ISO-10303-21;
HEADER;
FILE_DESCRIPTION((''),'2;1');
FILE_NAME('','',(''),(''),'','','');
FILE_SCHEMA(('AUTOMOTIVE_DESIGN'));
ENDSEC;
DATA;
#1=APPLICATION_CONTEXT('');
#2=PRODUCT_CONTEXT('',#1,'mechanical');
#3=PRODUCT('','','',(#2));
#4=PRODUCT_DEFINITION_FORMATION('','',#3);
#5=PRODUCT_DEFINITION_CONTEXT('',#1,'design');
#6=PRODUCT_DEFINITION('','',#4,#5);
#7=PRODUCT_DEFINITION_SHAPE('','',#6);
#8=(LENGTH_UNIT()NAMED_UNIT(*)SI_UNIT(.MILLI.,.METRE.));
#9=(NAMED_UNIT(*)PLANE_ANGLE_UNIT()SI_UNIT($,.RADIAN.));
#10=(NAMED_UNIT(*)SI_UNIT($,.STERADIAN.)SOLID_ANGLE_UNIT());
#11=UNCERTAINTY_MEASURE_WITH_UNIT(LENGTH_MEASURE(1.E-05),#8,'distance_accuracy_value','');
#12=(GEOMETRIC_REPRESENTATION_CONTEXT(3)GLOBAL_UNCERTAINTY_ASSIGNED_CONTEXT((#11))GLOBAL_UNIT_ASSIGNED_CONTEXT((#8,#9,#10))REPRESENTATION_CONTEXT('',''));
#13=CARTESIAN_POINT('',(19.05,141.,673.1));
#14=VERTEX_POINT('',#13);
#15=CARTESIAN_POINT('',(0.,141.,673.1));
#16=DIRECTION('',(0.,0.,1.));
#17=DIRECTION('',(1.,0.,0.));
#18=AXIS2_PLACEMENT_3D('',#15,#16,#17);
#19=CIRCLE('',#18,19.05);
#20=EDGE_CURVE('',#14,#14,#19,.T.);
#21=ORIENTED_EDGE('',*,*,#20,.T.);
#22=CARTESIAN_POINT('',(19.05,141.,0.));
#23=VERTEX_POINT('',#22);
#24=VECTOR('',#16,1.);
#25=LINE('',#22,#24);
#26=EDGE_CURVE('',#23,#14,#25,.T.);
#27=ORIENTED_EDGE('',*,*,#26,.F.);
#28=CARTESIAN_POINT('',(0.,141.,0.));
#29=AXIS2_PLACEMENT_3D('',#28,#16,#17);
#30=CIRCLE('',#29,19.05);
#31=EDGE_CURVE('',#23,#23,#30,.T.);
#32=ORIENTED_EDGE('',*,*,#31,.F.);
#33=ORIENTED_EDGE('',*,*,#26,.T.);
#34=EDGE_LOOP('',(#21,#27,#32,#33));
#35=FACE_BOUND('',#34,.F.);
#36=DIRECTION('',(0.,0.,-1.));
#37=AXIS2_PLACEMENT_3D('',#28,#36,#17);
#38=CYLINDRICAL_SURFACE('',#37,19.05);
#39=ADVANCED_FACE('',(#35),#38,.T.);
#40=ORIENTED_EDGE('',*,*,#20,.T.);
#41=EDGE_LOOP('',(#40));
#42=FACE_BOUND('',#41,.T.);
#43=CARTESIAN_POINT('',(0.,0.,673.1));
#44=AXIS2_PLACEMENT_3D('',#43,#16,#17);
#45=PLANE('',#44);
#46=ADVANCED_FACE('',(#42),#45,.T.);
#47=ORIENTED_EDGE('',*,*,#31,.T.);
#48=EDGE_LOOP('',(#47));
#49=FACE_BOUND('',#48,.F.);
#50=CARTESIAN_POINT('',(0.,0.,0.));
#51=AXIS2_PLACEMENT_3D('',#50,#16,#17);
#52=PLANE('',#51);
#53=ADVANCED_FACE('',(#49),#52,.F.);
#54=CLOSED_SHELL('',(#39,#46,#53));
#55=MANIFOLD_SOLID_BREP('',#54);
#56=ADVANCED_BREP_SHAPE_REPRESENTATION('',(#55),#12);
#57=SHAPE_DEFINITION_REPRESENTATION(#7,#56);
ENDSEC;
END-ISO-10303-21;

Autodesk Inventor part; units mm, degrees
ref_plane "YZ Plane" through (0, 0, 0) normal (1, 0, 0) x (0, 1, 0)
sketch "Sketch1" plane through (0, 0, 0) normal (0, 0, 1) x (1, 0, 0)
  circle A0 centre (0, 141) radius 19.05
  point P0 (0, 0)
  dimension "d3" = 38.1
ref_plane "Work Plane1" through (-139.7, -1066.8, 927.1) normal (0, 0, -1) x (0, 1, 0)
ref_plane "Work Plane2" through (-139.7, -1753.9498, 673.1) normal (0, 0, -1) x (0, 1, 0)
extrude "Extrusion1" add sketch "Sketch1" along normal up to surface (673.1 mm away)
properties part number "PIPE LONG" material "Wood (Birch)"
